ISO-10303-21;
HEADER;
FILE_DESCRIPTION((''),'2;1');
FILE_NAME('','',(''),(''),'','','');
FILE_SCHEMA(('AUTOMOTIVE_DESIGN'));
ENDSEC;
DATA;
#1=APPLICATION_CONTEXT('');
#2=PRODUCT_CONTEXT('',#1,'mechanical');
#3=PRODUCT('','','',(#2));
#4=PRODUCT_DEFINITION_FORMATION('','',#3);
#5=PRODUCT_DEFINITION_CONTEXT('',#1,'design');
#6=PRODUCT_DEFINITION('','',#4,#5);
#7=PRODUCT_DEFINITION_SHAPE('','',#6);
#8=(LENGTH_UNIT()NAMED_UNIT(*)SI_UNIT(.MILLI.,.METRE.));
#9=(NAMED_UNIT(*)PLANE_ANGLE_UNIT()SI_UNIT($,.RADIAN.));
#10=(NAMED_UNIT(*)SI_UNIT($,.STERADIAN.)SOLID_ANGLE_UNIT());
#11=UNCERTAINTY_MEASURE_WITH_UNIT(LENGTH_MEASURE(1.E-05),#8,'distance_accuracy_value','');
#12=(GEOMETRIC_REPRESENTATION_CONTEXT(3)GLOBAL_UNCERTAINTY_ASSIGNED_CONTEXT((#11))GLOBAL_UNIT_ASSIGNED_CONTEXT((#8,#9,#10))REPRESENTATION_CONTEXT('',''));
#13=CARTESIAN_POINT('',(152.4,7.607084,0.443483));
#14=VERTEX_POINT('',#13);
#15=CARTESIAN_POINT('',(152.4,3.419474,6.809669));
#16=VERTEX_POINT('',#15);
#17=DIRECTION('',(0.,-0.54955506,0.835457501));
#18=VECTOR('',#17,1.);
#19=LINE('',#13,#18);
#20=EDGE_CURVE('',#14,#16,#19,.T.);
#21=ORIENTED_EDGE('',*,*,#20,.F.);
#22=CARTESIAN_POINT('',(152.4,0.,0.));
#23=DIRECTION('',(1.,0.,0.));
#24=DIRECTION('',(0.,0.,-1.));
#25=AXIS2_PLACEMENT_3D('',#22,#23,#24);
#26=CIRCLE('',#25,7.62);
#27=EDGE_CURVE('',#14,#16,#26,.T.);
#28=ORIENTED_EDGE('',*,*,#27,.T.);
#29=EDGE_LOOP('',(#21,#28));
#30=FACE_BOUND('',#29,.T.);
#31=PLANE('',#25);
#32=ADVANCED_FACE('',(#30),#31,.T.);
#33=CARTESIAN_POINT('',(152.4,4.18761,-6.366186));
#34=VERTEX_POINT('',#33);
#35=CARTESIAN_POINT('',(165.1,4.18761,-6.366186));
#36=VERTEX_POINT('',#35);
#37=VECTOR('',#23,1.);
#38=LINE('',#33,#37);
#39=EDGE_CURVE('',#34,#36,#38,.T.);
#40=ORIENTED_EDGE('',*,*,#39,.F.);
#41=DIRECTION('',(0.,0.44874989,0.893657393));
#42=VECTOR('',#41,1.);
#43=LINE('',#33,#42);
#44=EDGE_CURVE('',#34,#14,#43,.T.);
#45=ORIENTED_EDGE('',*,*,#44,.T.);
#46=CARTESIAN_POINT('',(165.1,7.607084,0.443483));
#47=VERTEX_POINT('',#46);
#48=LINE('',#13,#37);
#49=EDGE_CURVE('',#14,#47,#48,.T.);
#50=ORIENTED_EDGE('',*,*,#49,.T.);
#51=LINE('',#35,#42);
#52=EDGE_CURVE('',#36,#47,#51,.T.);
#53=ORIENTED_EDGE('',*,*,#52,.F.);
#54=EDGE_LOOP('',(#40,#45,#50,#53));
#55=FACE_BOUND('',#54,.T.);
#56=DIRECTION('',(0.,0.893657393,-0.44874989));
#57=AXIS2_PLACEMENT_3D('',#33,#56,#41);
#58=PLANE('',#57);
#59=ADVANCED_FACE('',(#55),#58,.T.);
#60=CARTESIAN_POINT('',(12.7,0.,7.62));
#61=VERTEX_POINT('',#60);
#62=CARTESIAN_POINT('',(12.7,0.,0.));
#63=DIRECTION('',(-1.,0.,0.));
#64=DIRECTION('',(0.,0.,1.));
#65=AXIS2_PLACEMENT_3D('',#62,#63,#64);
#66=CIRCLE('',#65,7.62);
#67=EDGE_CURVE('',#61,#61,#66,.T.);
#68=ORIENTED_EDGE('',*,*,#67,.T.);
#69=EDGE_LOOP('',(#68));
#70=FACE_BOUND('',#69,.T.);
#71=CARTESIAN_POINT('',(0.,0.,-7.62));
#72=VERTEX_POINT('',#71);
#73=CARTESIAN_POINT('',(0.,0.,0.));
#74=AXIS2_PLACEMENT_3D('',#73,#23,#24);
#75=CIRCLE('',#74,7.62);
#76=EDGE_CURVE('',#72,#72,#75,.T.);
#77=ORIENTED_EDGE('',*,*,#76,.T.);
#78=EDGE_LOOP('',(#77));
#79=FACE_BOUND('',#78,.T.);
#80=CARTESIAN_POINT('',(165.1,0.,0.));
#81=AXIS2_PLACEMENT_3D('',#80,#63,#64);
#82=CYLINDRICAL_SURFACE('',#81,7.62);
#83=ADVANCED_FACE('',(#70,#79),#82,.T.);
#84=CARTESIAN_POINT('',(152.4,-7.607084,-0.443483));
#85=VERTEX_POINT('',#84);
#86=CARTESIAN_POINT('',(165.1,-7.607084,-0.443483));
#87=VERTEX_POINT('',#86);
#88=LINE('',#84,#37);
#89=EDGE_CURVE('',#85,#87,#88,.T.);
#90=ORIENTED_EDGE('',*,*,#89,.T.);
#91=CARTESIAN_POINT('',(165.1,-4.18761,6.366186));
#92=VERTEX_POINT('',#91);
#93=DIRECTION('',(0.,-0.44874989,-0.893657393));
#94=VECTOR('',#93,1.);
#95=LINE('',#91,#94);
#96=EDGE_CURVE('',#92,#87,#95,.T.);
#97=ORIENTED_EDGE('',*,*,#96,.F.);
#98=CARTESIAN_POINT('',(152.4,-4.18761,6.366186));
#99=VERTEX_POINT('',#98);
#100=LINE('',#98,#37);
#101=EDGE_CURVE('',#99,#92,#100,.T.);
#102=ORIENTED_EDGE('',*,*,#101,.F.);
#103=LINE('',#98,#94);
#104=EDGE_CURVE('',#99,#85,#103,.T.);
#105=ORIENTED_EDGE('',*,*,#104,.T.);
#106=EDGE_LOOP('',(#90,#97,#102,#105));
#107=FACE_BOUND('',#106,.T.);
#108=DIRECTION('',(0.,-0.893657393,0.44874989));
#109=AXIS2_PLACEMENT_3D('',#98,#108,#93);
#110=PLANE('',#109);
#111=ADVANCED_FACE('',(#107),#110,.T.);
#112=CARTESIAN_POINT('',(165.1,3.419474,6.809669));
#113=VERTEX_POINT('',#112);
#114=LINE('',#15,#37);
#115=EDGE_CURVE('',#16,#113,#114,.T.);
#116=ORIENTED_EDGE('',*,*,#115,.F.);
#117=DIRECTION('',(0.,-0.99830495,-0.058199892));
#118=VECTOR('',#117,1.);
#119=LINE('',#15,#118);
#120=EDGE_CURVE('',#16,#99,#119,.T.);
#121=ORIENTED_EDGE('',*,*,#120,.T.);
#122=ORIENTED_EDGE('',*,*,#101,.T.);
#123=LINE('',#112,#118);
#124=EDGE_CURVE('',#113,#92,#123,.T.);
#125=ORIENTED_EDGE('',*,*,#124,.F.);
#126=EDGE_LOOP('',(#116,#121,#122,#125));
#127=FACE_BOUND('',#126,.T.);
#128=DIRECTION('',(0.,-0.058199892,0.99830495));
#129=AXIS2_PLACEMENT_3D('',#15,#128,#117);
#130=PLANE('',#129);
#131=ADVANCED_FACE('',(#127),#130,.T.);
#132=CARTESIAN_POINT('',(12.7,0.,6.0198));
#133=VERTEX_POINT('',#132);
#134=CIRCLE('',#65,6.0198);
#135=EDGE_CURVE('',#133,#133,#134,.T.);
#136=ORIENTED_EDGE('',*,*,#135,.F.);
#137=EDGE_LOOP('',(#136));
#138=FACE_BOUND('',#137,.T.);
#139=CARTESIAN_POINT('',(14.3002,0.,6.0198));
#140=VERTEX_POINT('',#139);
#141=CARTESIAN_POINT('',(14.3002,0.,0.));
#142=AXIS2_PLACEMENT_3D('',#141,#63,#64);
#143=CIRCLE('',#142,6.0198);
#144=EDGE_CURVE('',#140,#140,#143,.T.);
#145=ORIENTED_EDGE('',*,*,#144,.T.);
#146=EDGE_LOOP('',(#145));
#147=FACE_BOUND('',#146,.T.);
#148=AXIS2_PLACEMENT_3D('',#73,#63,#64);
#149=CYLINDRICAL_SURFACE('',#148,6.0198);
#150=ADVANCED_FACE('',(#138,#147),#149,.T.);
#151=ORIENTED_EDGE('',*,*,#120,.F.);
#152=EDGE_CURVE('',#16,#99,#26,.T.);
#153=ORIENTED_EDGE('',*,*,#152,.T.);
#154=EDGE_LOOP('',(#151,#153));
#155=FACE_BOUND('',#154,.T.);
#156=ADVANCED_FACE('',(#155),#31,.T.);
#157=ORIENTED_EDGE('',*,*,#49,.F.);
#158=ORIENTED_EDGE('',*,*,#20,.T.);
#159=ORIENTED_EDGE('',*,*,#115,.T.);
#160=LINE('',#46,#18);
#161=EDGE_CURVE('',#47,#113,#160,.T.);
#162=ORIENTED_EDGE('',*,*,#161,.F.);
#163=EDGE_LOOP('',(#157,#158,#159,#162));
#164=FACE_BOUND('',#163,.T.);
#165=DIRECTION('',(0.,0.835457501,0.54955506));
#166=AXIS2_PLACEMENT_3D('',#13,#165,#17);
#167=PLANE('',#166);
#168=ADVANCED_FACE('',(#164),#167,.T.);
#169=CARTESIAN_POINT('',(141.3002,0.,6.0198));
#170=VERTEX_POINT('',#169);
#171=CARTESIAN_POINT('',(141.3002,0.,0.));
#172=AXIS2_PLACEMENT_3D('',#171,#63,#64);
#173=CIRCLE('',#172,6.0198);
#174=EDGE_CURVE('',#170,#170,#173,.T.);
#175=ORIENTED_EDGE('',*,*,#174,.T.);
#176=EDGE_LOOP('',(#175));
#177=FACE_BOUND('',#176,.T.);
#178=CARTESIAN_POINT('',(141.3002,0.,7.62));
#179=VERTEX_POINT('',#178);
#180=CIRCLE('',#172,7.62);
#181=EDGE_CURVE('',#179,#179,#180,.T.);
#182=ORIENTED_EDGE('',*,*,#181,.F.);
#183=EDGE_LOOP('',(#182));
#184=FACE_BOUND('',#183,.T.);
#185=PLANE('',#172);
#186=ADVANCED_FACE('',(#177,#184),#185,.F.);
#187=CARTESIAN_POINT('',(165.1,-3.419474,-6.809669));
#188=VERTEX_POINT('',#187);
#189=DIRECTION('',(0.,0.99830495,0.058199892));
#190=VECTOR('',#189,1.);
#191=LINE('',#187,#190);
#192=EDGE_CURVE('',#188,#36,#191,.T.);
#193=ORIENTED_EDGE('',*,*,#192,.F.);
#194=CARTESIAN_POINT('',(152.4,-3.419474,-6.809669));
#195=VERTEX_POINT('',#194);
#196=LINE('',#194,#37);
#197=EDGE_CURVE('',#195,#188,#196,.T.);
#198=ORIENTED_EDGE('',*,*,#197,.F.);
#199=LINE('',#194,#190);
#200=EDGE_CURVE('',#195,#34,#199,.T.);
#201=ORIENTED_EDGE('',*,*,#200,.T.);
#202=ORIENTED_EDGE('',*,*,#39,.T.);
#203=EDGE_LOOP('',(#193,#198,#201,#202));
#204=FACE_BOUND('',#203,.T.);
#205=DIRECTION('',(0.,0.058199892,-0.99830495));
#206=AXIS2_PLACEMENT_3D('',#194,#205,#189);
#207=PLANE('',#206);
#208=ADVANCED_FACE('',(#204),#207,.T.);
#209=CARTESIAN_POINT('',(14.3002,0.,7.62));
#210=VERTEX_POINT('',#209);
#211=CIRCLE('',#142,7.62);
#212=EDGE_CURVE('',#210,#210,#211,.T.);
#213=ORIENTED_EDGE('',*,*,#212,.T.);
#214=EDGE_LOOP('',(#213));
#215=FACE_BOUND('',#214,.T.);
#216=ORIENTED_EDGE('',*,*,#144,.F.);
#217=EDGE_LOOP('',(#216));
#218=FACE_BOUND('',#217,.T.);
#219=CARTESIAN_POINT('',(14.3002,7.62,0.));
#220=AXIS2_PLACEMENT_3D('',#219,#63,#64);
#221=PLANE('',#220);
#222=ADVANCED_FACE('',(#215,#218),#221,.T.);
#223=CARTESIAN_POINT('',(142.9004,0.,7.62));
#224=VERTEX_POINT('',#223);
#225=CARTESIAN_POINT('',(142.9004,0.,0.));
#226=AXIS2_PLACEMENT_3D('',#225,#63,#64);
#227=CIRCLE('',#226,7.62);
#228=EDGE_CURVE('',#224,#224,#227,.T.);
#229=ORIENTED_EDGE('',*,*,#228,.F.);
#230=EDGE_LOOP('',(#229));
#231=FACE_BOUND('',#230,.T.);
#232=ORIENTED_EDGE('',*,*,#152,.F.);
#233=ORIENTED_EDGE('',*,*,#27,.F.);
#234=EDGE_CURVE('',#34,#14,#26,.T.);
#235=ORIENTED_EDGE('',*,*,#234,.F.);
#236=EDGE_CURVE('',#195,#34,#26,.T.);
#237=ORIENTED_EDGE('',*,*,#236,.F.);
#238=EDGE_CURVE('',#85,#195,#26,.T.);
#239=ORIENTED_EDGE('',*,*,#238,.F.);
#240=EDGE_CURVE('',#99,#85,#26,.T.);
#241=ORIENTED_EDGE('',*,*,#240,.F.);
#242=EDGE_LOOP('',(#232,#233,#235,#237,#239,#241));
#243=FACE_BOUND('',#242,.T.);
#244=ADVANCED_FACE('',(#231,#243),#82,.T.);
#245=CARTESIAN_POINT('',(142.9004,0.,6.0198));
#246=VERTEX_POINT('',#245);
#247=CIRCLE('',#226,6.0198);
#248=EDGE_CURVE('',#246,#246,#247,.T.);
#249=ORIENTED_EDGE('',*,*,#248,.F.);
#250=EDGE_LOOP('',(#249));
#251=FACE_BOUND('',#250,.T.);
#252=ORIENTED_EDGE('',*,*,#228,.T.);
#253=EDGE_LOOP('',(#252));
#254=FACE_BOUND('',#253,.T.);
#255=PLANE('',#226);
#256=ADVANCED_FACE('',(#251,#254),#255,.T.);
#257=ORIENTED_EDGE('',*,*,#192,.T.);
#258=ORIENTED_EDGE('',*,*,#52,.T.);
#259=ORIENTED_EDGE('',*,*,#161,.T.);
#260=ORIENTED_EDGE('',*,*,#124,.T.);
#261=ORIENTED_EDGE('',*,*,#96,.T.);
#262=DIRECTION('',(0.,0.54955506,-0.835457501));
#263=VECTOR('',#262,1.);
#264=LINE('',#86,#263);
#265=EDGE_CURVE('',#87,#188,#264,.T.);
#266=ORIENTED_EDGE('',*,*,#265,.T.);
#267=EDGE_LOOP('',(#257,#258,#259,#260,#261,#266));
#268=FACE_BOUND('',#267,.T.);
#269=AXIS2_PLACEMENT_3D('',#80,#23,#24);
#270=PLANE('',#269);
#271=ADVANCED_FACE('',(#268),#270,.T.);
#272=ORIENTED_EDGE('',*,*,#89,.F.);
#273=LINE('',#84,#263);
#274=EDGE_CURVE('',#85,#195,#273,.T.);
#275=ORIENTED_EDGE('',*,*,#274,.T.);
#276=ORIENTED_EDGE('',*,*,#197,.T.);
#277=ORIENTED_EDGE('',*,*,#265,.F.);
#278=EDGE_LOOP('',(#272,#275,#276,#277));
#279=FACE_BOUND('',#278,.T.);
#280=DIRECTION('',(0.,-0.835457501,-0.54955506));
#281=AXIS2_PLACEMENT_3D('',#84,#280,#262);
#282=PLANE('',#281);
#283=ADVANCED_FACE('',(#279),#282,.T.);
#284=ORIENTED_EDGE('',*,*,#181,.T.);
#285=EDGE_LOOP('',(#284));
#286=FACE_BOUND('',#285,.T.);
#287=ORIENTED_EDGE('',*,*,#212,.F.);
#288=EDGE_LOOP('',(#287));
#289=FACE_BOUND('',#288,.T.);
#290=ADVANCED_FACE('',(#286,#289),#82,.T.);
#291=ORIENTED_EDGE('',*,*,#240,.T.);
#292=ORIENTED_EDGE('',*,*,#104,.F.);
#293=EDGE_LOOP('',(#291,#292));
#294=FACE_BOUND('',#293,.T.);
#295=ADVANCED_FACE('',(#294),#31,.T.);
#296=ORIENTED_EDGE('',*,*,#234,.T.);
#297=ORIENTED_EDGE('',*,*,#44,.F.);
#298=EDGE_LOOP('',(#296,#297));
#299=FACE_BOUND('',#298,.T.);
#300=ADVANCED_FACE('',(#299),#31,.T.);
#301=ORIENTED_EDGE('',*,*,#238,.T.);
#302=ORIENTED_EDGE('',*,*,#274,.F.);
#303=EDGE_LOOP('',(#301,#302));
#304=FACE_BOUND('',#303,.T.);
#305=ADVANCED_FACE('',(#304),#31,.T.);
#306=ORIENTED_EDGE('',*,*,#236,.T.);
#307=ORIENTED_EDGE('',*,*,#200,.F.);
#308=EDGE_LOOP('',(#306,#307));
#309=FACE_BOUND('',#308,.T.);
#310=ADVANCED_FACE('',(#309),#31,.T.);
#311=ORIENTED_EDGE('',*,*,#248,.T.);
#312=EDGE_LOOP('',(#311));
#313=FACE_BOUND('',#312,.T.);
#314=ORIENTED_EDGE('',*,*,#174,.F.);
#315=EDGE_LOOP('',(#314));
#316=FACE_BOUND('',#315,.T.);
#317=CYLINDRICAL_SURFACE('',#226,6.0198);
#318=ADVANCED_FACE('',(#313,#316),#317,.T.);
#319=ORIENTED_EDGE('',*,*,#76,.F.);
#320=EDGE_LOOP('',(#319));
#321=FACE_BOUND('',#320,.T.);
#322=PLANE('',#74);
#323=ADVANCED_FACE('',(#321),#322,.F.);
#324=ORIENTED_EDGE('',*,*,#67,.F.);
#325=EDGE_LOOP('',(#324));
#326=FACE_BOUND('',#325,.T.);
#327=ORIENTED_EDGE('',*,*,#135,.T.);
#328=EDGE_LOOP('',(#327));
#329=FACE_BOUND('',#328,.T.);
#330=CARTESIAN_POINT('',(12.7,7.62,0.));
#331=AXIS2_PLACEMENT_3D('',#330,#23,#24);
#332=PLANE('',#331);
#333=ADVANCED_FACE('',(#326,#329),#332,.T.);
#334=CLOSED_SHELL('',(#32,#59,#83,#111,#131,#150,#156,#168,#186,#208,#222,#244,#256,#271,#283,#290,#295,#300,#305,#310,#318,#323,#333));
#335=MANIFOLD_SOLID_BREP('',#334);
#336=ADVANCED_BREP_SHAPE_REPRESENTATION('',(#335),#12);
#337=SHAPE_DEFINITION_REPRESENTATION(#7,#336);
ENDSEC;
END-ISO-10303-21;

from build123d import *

# Parameters (mm, degrees)
SKETCH2_R           = 7.62
BOSS_EXTRUDE1_DEPTH = 165.1
SKETCH3_W           = 1.6002
SKETCH3_H           = 1.6002
SKETCH4_R           = 7.62
SKETCH4_R_2         = 6.0198
CUT_EXTRUDE1_DEPTH  = 1.6002
SKETCH5_OUTSIDE_W   = 50.54
SKETCH5_OUTSIDE_H   = 50.54
CUT_EXTRUDE2_DEPTH  = 12.7


with BuildPart() as part:
    # Sketch2 → Boss-Extrude1 (new body)
    with BuildSketch(Plane(origin=(0, 0, 0), x_dir=(0, 0, -1), z_dir=(1, 0, 0))):
        Circle(SKETCH2_R)
    extrude(amount=BOSS_EXTRUDE1_DEPTH)

    # Sketch3 → Cut-Revolve1 (revolve, cut)
    with BuildSketch(Plane.XY, mode=Mode.PRIVATE) as cut_revolve1_sk:
        with Locations((13.5001, 6.8199)):
            Rectangle(SKETCH3_W, SKETCH3_H)
    revolve(cut_revolve1_sk.sketch.rotate(Axis((0, 0, 0), (1, 0, 0)), 90), axis=Axis((0, 0, 0), (1, 0, 0)), mode=Mode.SUBTRACT)

    # Sketch4 → Cut-Extrude1 (cut)
    with BuildSketch(Plane.ZY.offset(-141.3002)):
        Circle(SKETCH4_R)
        Circle(SKETCH4_R_2, mode=Mode.SUBTRACT)
    extrude(amount=-CUT_EXTRUDE1_DEPTH, mode=Mode.SUBTRACT)

    # Sketch5 outside → Cut-Extrude2 (cut)
    with BuildSketch(Plane(origin=(165.1, 0, 0), x_dir=(0, 0, -1), z_dir=(1, 0, 0))):
        Rectangle(SKETCH5_OUTSIDE_W, SKETCH5_OUTSIDE_H)
        Polygon((6.366186157, 4.187609558), (-0.44348318, 7.607083716), (-6.809669337, 3.419474158), (-6.366186157, -4.187609558), (0.44348318, -7.607083716), (6.809669337, -3.419474158), align=None, mode=Mode.SUBTRACT)
    extrude(amount=-CUT_EXTRUDE2_DEPTH, mode=Mode.SUBTRACT)


solid = part.part
